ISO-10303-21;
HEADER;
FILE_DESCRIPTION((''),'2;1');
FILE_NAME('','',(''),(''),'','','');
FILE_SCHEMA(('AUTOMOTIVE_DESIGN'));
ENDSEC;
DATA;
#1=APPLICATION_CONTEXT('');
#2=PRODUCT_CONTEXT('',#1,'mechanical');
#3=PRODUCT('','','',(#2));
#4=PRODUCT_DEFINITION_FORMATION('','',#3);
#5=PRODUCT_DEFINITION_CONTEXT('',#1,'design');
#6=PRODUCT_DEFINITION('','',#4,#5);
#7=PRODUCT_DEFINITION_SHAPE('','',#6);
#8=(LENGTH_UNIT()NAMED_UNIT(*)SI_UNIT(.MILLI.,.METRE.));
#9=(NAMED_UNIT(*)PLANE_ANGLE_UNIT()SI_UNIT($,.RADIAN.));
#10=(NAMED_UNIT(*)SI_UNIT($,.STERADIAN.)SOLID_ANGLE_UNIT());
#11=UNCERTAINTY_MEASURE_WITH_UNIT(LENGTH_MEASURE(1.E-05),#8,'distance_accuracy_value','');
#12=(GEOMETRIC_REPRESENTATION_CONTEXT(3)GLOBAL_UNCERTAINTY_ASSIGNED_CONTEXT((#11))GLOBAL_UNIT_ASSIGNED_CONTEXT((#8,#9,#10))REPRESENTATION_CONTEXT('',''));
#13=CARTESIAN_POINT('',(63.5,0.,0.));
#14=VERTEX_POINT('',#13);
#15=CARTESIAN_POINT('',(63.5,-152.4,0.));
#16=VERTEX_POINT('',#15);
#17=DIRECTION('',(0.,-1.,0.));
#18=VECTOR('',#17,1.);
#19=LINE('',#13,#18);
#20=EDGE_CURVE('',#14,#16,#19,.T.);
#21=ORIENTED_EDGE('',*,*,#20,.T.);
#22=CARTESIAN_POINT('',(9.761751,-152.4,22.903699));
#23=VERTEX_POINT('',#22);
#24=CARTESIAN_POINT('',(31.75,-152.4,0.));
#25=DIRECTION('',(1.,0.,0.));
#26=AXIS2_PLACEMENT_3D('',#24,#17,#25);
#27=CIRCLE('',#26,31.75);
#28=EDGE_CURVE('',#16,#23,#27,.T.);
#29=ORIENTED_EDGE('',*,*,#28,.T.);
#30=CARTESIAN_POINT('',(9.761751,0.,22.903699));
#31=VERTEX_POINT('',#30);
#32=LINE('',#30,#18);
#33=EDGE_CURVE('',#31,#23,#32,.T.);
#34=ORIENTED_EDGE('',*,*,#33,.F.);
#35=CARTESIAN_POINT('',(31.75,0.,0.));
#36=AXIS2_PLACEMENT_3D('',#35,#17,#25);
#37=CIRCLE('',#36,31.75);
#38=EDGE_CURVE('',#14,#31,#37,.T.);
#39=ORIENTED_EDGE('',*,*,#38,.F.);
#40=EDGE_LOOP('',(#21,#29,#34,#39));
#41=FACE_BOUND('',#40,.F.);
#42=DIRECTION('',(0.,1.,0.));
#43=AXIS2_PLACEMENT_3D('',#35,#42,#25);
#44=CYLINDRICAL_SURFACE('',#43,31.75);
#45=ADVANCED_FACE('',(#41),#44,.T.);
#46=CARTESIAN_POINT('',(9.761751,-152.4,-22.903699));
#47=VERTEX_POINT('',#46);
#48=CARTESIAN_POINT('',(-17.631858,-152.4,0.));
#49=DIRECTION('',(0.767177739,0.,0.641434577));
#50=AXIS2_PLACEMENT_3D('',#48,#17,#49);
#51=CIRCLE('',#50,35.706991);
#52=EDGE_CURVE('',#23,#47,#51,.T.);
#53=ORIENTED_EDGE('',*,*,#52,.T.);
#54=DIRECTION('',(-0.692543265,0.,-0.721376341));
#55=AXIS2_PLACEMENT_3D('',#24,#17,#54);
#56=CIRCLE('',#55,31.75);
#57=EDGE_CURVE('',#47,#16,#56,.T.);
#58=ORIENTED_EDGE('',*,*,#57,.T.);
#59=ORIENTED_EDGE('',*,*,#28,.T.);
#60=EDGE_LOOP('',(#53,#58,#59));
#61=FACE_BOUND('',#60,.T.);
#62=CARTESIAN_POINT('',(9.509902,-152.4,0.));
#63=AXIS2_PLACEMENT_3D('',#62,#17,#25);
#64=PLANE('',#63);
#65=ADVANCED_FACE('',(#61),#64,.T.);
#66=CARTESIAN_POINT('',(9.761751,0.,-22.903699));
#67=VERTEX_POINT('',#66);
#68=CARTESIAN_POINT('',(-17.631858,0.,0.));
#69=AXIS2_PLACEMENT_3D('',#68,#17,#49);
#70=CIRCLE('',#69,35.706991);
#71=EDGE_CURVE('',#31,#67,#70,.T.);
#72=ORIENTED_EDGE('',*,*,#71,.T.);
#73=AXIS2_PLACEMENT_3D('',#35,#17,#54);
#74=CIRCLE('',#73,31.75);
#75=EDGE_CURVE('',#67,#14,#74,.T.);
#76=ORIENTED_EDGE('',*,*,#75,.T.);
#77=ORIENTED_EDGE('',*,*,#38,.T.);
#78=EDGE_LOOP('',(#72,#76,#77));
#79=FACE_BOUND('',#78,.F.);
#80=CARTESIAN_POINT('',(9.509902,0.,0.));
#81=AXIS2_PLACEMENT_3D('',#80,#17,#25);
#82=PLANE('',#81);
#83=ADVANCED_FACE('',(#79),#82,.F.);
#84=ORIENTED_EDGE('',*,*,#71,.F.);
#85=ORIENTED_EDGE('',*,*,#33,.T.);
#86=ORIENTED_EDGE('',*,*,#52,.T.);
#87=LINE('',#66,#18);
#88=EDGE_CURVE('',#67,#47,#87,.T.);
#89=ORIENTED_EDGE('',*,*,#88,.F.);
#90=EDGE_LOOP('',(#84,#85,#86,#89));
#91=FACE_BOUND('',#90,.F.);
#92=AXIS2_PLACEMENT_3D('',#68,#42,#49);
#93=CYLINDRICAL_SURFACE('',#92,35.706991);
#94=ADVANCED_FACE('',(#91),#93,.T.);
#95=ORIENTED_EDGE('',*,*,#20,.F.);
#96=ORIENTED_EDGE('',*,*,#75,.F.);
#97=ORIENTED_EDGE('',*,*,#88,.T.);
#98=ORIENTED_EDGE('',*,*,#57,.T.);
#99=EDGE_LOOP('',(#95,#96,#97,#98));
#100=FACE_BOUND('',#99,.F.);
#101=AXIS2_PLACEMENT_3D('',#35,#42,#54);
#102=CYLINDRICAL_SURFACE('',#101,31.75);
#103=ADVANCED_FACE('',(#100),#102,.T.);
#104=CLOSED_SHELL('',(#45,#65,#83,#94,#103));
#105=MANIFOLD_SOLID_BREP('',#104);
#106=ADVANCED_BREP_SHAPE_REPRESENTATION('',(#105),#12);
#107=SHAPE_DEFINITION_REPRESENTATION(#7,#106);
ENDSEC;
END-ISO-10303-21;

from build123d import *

# Parameters (mm, degrees)
F1_DEPTH = 152.4


with BuildPart() as f1:
    # F0 (on Front) → F1 (new body)
    with BuildSketch(Plane.XZ):
        with BuildLine():
            ThreePointArc((9.7617513215, -22.9036988291), (15.9325028729, -12.1828952576), (18.0751337486, 0))
            ThreePointArc((18.0751337486, 0), (15.9325028729, 12.1828952576), (9.7617513215, 22.9036988291))
            ThreePointArc((9.7617513215, 22.9036988291), (0, 0), (9.7617513215, -22.9036988291))
        make_face()
        with BuildLine():
            ThreePointArc((9.7617513215, 22.9036988291), (15.9325028729, 12.1828952576), (18.0751337486, 0))
            ThreePointArc((18.0751337486, 0), (15.9325028729, -12.1828952576), (9.7617513215, -22.9036988291))
            ThreePointArc((9.7617513215, -22.9036988291), (44.1986064372, -29.207784883), (63.5, 0))
            ThreePointArc((63.5, 0), (44.1986064372, 29.207784883), (9.7617513215, 22.9036988291))
        make_face()
        with BuildLine():
            ThreePointArc((9.7617513215, -22.9036988291), (0, 0), (9.7617513215, 22.9036988291))
            ThreePointArc((9.7617513215, 22.9036988291), (-53.3388487837, 0), (9.7617513215, -22.9036988291))
        make_face()
    extrude(amount=F1_DEPTH)


solid = f1.part
